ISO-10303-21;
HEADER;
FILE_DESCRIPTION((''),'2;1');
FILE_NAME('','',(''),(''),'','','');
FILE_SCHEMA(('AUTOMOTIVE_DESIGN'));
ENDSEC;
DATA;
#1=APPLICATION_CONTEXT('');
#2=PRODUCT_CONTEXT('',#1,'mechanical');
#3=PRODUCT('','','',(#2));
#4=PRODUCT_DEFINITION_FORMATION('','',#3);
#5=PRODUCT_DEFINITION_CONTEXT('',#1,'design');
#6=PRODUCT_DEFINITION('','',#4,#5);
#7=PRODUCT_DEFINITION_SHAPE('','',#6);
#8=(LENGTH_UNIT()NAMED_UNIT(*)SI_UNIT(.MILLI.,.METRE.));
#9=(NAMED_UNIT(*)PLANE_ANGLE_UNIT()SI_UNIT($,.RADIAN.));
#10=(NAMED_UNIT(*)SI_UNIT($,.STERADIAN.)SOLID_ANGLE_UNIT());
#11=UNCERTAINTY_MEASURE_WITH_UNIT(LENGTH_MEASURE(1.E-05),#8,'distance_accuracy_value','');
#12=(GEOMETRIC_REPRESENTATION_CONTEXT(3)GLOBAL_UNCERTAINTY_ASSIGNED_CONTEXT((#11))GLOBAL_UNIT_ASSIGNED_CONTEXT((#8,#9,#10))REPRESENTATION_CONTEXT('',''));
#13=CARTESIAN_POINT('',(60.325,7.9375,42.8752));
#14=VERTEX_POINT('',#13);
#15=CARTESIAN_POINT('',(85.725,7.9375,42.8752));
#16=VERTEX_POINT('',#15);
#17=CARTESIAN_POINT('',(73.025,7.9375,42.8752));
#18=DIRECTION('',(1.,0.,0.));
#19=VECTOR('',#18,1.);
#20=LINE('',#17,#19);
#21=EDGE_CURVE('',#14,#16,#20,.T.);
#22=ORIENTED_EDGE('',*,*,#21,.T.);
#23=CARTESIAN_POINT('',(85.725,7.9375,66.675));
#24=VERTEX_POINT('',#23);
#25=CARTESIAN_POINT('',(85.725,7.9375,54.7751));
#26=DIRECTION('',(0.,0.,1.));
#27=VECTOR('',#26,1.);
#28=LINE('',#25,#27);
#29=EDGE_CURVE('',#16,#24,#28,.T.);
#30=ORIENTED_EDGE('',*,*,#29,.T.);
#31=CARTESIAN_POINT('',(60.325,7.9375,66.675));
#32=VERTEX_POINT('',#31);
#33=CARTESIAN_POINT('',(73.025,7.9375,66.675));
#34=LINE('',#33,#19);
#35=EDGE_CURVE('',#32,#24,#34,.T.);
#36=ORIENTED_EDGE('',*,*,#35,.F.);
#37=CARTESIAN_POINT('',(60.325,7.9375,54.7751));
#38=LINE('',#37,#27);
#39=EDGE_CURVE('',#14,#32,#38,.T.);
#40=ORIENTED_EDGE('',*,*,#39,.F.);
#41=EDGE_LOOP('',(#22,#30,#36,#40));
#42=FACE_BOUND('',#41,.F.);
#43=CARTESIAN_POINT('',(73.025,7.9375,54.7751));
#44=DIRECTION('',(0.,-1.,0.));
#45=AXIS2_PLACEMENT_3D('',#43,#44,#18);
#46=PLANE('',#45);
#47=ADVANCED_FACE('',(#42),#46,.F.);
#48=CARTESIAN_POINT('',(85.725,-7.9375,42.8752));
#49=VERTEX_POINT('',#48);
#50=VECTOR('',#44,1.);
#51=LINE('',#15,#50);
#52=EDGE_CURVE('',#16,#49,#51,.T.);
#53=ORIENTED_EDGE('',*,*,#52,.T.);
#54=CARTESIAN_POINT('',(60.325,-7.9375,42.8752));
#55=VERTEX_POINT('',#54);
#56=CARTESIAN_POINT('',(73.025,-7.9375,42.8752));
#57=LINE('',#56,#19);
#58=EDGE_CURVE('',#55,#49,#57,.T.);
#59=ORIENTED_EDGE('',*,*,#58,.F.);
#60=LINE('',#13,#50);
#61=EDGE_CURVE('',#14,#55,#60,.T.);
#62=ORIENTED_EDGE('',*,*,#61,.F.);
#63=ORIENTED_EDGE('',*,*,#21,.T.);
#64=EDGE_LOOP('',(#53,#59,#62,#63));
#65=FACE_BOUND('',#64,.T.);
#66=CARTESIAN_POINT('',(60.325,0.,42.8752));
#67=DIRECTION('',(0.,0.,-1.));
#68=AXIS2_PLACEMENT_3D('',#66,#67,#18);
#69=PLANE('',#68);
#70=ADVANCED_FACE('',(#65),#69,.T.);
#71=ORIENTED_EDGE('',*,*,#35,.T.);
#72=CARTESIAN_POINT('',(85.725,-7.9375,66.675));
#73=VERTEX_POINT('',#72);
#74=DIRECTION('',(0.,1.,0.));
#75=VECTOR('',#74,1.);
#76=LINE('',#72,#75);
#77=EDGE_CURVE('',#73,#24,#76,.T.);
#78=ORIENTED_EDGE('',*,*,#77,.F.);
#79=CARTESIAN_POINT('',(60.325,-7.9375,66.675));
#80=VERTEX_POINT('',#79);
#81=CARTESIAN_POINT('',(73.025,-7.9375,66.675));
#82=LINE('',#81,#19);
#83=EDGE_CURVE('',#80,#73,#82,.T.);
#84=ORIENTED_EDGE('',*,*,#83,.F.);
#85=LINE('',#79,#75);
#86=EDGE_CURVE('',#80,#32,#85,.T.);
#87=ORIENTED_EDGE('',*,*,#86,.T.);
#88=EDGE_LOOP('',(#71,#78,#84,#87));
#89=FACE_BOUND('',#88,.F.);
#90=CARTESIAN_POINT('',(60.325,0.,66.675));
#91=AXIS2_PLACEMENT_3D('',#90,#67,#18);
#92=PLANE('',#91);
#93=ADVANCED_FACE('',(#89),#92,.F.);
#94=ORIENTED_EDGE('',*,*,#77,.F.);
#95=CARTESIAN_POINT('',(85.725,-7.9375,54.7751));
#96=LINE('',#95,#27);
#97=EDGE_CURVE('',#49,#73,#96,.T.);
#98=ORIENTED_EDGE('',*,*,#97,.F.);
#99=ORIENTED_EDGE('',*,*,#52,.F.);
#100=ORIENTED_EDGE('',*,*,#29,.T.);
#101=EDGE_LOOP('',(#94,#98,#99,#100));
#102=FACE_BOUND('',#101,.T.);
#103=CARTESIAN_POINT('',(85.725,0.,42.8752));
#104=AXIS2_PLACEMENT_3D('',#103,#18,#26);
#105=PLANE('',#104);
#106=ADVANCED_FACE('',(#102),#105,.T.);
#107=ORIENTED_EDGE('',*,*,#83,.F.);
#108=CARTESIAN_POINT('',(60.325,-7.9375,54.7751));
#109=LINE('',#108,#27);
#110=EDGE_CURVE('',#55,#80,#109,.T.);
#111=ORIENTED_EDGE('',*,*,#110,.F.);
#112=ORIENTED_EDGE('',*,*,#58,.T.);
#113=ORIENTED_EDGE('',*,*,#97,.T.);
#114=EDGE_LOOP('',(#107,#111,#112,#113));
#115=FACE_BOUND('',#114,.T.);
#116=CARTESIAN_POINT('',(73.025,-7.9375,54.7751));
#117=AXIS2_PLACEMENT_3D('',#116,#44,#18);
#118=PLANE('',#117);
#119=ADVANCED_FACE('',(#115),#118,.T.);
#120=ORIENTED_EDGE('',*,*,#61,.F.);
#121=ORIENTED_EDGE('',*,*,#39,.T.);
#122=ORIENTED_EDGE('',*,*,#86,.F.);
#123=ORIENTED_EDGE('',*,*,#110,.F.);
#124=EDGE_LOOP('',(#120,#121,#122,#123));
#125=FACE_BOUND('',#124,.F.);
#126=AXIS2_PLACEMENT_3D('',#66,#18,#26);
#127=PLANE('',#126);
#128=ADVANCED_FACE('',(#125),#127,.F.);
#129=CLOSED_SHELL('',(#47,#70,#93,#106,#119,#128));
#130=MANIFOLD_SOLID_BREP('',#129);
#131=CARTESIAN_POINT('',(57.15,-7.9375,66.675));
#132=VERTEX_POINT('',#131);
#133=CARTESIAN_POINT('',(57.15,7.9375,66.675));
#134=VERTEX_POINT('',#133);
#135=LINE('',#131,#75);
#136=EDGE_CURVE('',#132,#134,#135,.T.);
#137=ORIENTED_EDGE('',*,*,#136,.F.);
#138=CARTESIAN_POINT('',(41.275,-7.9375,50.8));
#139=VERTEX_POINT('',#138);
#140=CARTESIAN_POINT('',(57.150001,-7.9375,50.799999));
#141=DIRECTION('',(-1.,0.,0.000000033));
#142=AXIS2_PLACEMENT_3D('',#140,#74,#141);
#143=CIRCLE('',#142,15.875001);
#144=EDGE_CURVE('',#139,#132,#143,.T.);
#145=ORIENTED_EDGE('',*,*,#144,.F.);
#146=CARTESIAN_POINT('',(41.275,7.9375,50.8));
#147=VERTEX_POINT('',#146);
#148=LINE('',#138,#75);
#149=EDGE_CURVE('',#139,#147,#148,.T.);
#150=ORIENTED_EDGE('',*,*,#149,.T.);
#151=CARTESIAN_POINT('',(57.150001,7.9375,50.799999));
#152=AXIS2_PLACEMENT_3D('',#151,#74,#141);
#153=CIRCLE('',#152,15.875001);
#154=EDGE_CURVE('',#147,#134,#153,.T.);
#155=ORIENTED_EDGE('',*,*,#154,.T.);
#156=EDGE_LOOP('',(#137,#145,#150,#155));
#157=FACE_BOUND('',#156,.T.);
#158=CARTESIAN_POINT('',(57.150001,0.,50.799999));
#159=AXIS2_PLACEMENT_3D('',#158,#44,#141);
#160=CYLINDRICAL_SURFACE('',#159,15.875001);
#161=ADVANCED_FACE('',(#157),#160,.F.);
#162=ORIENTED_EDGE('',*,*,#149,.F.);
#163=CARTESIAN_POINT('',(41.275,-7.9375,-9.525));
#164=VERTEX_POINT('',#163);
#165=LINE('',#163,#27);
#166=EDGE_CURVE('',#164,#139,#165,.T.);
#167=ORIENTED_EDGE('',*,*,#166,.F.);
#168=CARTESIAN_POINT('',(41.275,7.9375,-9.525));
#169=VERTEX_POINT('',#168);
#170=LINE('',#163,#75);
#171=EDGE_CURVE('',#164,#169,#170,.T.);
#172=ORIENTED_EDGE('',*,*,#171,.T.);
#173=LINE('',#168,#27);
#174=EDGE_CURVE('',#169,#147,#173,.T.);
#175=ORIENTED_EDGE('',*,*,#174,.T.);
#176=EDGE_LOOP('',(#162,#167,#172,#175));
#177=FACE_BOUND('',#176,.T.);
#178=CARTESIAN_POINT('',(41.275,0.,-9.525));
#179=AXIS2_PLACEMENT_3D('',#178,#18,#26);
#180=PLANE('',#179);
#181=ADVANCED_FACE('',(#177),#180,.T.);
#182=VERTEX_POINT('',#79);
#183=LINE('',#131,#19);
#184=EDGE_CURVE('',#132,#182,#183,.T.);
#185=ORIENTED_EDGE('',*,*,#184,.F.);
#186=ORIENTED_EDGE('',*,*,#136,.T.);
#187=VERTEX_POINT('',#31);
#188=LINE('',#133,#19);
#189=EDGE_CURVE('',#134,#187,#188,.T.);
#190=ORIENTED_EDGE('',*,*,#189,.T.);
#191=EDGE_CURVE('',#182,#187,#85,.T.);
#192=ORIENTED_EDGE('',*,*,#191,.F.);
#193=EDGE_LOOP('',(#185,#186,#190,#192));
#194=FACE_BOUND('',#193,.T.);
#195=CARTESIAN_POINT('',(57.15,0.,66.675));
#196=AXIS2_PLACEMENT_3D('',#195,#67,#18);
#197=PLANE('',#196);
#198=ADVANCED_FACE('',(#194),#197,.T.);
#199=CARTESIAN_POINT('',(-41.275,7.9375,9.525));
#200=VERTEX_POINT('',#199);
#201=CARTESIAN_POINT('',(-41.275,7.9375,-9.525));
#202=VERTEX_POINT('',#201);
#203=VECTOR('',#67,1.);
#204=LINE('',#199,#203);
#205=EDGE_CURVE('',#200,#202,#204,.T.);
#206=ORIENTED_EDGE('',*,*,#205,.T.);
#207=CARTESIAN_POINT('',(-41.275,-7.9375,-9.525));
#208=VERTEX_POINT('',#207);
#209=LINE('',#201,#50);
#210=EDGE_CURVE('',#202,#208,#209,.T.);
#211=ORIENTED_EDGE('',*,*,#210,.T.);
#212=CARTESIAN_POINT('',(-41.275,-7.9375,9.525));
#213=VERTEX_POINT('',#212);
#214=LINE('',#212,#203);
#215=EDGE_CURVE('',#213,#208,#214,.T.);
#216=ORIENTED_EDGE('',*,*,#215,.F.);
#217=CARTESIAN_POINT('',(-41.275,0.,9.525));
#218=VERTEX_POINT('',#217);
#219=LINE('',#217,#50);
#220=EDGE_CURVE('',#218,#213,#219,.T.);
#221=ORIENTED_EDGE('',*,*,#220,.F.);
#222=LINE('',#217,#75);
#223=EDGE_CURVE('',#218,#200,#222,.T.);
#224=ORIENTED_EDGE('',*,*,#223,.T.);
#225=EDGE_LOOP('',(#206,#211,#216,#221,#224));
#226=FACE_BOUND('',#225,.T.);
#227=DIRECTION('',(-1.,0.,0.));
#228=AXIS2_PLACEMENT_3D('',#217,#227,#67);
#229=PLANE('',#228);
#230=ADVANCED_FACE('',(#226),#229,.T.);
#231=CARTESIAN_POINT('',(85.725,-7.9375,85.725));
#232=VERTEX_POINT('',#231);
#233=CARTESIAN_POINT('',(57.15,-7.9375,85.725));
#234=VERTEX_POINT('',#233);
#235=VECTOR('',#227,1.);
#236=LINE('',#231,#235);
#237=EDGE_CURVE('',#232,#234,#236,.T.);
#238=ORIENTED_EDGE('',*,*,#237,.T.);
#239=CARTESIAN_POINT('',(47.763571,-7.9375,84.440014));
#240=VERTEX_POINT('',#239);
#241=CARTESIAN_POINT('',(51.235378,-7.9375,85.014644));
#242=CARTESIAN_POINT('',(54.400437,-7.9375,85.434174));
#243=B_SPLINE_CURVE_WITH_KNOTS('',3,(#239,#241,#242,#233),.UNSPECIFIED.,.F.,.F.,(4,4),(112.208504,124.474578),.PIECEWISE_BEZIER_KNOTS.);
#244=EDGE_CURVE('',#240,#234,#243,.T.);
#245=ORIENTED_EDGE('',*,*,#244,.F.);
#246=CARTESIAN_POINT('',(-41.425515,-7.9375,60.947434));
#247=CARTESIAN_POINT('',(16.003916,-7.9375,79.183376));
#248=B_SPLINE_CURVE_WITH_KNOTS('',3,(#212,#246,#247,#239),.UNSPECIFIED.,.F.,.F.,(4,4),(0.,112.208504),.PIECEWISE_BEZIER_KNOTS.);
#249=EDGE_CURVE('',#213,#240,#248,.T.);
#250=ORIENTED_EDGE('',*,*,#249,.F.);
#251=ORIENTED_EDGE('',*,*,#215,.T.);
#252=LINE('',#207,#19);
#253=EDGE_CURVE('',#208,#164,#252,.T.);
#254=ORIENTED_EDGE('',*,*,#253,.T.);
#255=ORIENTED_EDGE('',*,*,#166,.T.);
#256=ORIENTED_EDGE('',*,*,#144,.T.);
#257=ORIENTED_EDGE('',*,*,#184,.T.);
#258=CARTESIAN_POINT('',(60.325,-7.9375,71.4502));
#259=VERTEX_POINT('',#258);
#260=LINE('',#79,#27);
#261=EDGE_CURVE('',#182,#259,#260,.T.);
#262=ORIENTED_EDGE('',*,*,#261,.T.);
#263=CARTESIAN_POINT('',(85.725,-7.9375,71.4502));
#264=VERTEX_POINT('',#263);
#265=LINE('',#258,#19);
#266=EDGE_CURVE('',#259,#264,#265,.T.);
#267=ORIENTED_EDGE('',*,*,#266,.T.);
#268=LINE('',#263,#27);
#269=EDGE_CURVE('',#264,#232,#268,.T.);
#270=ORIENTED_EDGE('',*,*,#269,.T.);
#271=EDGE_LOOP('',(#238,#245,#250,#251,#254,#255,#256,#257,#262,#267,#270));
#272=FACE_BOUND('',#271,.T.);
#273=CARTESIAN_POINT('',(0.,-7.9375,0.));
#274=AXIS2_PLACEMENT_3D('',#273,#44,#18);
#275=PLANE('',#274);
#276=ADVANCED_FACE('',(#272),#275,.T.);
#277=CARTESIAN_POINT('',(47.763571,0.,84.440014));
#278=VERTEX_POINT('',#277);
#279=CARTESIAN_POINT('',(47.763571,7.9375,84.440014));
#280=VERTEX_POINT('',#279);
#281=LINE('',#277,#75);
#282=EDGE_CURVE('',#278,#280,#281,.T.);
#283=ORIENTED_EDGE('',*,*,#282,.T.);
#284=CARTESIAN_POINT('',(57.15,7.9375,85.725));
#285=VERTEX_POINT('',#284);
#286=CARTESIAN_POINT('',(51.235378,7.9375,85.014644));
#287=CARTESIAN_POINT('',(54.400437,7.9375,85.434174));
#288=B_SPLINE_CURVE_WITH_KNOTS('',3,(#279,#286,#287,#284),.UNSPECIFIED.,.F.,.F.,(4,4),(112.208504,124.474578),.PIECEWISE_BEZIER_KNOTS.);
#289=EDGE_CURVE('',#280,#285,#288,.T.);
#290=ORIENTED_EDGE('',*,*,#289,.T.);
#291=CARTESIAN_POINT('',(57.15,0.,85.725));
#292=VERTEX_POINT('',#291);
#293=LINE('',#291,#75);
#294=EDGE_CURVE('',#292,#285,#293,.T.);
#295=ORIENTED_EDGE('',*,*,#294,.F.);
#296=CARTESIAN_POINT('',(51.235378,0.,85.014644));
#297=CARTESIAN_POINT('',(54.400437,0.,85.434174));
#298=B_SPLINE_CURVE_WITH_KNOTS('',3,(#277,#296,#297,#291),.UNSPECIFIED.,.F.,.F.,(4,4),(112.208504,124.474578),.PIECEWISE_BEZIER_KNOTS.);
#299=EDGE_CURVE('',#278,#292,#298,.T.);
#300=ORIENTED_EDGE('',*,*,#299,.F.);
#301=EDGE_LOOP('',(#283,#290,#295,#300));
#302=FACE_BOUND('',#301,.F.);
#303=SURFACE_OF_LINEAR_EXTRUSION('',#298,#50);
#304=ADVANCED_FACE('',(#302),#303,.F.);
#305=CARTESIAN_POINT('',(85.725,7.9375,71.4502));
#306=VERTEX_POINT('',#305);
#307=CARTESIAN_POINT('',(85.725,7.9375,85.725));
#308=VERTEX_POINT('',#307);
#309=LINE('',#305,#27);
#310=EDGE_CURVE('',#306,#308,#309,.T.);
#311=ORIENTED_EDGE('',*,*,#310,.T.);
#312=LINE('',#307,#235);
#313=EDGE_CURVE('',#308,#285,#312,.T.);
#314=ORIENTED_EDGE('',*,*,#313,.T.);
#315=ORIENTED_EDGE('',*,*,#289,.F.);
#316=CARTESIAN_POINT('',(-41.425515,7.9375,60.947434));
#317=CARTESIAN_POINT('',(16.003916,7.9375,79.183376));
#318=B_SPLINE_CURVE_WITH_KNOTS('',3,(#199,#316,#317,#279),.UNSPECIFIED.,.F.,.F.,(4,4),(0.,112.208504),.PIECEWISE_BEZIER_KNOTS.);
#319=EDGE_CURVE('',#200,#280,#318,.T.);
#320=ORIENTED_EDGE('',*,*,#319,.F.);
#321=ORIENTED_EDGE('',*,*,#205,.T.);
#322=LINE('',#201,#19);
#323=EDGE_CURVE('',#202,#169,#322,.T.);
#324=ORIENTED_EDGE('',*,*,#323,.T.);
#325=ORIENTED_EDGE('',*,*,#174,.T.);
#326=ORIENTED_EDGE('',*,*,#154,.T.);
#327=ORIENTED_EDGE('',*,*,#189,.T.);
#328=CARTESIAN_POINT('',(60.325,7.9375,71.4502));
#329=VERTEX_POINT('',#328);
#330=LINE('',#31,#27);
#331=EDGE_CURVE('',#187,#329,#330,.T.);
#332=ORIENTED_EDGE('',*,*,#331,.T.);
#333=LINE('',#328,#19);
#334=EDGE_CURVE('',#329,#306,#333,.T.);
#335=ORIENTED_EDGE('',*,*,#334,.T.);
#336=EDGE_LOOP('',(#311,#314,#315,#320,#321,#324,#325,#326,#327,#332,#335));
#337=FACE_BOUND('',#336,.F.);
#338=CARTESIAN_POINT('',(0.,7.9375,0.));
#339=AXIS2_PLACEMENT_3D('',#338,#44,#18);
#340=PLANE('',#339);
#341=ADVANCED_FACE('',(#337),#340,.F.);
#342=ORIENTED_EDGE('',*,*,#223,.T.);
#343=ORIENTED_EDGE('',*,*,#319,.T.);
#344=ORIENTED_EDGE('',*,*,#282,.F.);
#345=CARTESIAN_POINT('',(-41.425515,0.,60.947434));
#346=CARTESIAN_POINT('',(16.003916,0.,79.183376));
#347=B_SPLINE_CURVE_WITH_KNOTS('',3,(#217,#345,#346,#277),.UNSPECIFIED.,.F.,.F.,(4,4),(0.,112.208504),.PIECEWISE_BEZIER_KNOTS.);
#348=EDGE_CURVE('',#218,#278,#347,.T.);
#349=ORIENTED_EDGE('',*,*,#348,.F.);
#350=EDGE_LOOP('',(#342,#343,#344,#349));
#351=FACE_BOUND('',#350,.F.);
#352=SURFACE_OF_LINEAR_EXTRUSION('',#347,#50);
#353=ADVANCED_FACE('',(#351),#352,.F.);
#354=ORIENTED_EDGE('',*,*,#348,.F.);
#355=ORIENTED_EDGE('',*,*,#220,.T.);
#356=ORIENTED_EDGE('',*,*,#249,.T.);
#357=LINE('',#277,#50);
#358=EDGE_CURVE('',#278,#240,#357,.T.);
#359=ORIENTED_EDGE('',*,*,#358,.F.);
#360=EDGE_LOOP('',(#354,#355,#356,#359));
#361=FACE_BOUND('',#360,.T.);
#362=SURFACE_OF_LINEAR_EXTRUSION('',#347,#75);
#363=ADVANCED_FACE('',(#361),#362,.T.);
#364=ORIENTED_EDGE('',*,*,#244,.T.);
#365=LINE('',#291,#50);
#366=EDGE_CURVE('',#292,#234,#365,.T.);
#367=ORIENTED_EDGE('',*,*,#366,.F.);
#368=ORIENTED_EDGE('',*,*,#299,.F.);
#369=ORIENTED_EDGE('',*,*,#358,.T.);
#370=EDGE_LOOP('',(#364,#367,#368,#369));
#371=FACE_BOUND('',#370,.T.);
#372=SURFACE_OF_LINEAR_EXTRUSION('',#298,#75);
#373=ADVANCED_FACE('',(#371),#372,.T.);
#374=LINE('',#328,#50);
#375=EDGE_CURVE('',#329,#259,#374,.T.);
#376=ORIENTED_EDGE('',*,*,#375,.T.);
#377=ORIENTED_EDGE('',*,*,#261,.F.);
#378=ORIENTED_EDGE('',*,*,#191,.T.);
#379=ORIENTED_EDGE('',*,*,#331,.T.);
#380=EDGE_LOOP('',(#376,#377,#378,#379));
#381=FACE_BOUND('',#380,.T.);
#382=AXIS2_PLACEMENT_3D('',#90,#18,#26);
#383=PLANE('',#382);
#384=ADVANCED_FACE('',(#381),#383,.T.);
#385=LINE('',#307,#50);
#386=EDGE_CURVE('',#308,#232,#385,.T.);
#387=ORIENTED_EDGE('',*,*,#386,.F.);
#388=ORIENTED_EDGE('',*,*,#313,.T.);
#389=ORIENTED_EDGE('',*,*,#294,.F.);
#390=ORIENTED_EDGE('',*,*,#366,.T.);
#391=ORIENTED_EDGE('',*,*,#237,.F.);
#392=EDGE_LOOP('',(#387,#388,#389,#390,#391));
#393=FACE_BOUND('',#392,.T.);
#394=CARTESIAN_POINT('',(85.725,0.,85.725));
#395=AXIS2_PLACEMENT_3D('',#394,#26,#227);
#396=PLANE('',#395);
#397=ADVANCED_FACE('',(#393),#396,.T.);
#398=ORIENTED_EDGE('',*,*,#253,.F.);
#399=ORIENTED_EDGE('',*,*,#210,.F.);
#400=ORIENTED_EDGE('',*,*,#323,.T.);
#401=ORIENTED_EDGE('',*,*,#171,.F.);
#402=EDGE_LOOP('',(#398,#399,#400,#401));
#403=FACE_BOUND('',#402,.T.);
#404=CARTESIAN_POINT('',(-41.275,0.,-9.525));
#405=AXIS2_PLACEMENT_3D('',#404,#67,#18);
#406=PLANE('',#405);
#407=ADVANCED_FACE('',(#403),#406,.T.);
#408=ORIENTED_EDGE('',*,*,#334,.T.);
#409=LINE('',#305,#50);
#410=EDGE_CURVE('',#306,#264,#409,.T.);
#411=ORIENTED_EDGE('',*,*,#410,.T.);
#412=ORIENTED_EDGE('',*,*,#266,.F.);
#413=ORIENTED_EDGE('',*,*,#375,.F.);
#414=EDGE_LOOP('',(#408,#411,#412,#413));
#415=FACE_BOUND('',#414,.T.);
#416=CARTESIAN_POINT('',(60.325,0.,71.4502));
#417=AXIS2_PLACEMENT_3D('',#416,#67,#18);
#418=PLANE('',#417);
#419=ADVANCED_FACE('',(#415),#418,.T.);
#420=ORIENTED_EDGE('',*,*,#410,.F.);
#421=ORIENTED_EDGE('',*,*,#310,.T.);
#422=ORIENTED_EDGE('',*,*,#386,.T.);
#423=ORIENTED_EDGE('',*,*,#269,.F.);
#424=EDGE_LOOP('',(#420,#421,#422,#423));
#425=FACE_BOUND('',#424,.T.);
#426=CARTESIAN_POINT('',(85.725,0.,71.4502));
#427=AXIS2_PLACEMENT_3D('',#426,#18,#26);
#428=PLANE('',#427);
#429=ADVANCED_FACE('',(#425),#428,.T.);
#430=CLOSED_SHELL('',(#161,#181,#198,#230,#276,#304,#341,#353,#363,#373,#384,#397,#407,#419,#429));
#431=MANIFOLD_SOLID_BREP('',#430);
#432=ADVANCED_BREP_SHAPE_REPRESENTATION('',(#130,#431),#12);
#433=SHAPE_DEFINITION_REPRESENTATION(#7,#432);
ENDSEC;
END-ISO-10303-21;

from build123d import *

# Parameters (mm, degrees)
F0_W     = 25.4
F0_H     = 23.7998
F1_DEPTH = 7.9375


with BuildPart() as f1:
    # F0 (on Front) → F1 (new body, symmetric)
    with BuildSketch(Plane.XZ):
        Polygon((-41.275, 9.525), (-41.275, -9.525), (41.275, -9.525), (41.275, 9.525), (22.225, 9.525), align=None)
        with BuildLine():
            Line((22.225, 9.525), (41.275, 9.525))
            Line((41.275, 9.525), (41.275, 50.8))
            ThreePointArc((41.275, 50.8), (45.92468, 62.02532), (57.15, 66.675))
            Line((57.15, 66.675), (60.325, 66.675))
            Line((60.325, 66.675), (60.325, 71.4502))
            Line((60.325, 71.4502), (85.725, 71.4502))
            Line((85.725, 71.4502), (85.725, 85.725))
            Line((85.725, 85.725), (57.15, 85.725))
            add(Edge.make_bspline(
                [(47.763571, 84.440014), (51.235378, 85.014644), (54.400437, 85.434174), (57.15, 85.725)],
                knots=[112.208504, 112.208504, 112.208504, 112.208504, 124.474578, 124.474578, 124.474578, 124.474578], degree=3))
            ThreePointArc((47.763571, 84.440014), (29.332949, 71.917938), (22.225, 50.8))
            Line((22.225, 50.8), (22.225, 9.525))
        make_face()
        with Locations((73.025, 54.7751)):
            Rectangle(F0_W, F0_H)
        with BuildLine():
            add(Edge.make_bspline(
                [(-41.275, 9.525), (-41.425515, 60.947434), (16.003916, 79.183376), (47.763571, 84.440014)],
                knots=[0, 0, 0, 0, 112.208504, 112.208504, 112.208504, 112.208504], degree=3))
            Line((-41.275, 9.525), (22.225, 9.525))
            Line((22.225, 9.525), (22.225, 50.8))
            ThreePointArc((22.225, 50.8), (29.332949, 71.917938), (47.763571, 84.440014))
        make_face()
    extrude(amount=F1_DEPTH, both=True)


solid = f1.part
